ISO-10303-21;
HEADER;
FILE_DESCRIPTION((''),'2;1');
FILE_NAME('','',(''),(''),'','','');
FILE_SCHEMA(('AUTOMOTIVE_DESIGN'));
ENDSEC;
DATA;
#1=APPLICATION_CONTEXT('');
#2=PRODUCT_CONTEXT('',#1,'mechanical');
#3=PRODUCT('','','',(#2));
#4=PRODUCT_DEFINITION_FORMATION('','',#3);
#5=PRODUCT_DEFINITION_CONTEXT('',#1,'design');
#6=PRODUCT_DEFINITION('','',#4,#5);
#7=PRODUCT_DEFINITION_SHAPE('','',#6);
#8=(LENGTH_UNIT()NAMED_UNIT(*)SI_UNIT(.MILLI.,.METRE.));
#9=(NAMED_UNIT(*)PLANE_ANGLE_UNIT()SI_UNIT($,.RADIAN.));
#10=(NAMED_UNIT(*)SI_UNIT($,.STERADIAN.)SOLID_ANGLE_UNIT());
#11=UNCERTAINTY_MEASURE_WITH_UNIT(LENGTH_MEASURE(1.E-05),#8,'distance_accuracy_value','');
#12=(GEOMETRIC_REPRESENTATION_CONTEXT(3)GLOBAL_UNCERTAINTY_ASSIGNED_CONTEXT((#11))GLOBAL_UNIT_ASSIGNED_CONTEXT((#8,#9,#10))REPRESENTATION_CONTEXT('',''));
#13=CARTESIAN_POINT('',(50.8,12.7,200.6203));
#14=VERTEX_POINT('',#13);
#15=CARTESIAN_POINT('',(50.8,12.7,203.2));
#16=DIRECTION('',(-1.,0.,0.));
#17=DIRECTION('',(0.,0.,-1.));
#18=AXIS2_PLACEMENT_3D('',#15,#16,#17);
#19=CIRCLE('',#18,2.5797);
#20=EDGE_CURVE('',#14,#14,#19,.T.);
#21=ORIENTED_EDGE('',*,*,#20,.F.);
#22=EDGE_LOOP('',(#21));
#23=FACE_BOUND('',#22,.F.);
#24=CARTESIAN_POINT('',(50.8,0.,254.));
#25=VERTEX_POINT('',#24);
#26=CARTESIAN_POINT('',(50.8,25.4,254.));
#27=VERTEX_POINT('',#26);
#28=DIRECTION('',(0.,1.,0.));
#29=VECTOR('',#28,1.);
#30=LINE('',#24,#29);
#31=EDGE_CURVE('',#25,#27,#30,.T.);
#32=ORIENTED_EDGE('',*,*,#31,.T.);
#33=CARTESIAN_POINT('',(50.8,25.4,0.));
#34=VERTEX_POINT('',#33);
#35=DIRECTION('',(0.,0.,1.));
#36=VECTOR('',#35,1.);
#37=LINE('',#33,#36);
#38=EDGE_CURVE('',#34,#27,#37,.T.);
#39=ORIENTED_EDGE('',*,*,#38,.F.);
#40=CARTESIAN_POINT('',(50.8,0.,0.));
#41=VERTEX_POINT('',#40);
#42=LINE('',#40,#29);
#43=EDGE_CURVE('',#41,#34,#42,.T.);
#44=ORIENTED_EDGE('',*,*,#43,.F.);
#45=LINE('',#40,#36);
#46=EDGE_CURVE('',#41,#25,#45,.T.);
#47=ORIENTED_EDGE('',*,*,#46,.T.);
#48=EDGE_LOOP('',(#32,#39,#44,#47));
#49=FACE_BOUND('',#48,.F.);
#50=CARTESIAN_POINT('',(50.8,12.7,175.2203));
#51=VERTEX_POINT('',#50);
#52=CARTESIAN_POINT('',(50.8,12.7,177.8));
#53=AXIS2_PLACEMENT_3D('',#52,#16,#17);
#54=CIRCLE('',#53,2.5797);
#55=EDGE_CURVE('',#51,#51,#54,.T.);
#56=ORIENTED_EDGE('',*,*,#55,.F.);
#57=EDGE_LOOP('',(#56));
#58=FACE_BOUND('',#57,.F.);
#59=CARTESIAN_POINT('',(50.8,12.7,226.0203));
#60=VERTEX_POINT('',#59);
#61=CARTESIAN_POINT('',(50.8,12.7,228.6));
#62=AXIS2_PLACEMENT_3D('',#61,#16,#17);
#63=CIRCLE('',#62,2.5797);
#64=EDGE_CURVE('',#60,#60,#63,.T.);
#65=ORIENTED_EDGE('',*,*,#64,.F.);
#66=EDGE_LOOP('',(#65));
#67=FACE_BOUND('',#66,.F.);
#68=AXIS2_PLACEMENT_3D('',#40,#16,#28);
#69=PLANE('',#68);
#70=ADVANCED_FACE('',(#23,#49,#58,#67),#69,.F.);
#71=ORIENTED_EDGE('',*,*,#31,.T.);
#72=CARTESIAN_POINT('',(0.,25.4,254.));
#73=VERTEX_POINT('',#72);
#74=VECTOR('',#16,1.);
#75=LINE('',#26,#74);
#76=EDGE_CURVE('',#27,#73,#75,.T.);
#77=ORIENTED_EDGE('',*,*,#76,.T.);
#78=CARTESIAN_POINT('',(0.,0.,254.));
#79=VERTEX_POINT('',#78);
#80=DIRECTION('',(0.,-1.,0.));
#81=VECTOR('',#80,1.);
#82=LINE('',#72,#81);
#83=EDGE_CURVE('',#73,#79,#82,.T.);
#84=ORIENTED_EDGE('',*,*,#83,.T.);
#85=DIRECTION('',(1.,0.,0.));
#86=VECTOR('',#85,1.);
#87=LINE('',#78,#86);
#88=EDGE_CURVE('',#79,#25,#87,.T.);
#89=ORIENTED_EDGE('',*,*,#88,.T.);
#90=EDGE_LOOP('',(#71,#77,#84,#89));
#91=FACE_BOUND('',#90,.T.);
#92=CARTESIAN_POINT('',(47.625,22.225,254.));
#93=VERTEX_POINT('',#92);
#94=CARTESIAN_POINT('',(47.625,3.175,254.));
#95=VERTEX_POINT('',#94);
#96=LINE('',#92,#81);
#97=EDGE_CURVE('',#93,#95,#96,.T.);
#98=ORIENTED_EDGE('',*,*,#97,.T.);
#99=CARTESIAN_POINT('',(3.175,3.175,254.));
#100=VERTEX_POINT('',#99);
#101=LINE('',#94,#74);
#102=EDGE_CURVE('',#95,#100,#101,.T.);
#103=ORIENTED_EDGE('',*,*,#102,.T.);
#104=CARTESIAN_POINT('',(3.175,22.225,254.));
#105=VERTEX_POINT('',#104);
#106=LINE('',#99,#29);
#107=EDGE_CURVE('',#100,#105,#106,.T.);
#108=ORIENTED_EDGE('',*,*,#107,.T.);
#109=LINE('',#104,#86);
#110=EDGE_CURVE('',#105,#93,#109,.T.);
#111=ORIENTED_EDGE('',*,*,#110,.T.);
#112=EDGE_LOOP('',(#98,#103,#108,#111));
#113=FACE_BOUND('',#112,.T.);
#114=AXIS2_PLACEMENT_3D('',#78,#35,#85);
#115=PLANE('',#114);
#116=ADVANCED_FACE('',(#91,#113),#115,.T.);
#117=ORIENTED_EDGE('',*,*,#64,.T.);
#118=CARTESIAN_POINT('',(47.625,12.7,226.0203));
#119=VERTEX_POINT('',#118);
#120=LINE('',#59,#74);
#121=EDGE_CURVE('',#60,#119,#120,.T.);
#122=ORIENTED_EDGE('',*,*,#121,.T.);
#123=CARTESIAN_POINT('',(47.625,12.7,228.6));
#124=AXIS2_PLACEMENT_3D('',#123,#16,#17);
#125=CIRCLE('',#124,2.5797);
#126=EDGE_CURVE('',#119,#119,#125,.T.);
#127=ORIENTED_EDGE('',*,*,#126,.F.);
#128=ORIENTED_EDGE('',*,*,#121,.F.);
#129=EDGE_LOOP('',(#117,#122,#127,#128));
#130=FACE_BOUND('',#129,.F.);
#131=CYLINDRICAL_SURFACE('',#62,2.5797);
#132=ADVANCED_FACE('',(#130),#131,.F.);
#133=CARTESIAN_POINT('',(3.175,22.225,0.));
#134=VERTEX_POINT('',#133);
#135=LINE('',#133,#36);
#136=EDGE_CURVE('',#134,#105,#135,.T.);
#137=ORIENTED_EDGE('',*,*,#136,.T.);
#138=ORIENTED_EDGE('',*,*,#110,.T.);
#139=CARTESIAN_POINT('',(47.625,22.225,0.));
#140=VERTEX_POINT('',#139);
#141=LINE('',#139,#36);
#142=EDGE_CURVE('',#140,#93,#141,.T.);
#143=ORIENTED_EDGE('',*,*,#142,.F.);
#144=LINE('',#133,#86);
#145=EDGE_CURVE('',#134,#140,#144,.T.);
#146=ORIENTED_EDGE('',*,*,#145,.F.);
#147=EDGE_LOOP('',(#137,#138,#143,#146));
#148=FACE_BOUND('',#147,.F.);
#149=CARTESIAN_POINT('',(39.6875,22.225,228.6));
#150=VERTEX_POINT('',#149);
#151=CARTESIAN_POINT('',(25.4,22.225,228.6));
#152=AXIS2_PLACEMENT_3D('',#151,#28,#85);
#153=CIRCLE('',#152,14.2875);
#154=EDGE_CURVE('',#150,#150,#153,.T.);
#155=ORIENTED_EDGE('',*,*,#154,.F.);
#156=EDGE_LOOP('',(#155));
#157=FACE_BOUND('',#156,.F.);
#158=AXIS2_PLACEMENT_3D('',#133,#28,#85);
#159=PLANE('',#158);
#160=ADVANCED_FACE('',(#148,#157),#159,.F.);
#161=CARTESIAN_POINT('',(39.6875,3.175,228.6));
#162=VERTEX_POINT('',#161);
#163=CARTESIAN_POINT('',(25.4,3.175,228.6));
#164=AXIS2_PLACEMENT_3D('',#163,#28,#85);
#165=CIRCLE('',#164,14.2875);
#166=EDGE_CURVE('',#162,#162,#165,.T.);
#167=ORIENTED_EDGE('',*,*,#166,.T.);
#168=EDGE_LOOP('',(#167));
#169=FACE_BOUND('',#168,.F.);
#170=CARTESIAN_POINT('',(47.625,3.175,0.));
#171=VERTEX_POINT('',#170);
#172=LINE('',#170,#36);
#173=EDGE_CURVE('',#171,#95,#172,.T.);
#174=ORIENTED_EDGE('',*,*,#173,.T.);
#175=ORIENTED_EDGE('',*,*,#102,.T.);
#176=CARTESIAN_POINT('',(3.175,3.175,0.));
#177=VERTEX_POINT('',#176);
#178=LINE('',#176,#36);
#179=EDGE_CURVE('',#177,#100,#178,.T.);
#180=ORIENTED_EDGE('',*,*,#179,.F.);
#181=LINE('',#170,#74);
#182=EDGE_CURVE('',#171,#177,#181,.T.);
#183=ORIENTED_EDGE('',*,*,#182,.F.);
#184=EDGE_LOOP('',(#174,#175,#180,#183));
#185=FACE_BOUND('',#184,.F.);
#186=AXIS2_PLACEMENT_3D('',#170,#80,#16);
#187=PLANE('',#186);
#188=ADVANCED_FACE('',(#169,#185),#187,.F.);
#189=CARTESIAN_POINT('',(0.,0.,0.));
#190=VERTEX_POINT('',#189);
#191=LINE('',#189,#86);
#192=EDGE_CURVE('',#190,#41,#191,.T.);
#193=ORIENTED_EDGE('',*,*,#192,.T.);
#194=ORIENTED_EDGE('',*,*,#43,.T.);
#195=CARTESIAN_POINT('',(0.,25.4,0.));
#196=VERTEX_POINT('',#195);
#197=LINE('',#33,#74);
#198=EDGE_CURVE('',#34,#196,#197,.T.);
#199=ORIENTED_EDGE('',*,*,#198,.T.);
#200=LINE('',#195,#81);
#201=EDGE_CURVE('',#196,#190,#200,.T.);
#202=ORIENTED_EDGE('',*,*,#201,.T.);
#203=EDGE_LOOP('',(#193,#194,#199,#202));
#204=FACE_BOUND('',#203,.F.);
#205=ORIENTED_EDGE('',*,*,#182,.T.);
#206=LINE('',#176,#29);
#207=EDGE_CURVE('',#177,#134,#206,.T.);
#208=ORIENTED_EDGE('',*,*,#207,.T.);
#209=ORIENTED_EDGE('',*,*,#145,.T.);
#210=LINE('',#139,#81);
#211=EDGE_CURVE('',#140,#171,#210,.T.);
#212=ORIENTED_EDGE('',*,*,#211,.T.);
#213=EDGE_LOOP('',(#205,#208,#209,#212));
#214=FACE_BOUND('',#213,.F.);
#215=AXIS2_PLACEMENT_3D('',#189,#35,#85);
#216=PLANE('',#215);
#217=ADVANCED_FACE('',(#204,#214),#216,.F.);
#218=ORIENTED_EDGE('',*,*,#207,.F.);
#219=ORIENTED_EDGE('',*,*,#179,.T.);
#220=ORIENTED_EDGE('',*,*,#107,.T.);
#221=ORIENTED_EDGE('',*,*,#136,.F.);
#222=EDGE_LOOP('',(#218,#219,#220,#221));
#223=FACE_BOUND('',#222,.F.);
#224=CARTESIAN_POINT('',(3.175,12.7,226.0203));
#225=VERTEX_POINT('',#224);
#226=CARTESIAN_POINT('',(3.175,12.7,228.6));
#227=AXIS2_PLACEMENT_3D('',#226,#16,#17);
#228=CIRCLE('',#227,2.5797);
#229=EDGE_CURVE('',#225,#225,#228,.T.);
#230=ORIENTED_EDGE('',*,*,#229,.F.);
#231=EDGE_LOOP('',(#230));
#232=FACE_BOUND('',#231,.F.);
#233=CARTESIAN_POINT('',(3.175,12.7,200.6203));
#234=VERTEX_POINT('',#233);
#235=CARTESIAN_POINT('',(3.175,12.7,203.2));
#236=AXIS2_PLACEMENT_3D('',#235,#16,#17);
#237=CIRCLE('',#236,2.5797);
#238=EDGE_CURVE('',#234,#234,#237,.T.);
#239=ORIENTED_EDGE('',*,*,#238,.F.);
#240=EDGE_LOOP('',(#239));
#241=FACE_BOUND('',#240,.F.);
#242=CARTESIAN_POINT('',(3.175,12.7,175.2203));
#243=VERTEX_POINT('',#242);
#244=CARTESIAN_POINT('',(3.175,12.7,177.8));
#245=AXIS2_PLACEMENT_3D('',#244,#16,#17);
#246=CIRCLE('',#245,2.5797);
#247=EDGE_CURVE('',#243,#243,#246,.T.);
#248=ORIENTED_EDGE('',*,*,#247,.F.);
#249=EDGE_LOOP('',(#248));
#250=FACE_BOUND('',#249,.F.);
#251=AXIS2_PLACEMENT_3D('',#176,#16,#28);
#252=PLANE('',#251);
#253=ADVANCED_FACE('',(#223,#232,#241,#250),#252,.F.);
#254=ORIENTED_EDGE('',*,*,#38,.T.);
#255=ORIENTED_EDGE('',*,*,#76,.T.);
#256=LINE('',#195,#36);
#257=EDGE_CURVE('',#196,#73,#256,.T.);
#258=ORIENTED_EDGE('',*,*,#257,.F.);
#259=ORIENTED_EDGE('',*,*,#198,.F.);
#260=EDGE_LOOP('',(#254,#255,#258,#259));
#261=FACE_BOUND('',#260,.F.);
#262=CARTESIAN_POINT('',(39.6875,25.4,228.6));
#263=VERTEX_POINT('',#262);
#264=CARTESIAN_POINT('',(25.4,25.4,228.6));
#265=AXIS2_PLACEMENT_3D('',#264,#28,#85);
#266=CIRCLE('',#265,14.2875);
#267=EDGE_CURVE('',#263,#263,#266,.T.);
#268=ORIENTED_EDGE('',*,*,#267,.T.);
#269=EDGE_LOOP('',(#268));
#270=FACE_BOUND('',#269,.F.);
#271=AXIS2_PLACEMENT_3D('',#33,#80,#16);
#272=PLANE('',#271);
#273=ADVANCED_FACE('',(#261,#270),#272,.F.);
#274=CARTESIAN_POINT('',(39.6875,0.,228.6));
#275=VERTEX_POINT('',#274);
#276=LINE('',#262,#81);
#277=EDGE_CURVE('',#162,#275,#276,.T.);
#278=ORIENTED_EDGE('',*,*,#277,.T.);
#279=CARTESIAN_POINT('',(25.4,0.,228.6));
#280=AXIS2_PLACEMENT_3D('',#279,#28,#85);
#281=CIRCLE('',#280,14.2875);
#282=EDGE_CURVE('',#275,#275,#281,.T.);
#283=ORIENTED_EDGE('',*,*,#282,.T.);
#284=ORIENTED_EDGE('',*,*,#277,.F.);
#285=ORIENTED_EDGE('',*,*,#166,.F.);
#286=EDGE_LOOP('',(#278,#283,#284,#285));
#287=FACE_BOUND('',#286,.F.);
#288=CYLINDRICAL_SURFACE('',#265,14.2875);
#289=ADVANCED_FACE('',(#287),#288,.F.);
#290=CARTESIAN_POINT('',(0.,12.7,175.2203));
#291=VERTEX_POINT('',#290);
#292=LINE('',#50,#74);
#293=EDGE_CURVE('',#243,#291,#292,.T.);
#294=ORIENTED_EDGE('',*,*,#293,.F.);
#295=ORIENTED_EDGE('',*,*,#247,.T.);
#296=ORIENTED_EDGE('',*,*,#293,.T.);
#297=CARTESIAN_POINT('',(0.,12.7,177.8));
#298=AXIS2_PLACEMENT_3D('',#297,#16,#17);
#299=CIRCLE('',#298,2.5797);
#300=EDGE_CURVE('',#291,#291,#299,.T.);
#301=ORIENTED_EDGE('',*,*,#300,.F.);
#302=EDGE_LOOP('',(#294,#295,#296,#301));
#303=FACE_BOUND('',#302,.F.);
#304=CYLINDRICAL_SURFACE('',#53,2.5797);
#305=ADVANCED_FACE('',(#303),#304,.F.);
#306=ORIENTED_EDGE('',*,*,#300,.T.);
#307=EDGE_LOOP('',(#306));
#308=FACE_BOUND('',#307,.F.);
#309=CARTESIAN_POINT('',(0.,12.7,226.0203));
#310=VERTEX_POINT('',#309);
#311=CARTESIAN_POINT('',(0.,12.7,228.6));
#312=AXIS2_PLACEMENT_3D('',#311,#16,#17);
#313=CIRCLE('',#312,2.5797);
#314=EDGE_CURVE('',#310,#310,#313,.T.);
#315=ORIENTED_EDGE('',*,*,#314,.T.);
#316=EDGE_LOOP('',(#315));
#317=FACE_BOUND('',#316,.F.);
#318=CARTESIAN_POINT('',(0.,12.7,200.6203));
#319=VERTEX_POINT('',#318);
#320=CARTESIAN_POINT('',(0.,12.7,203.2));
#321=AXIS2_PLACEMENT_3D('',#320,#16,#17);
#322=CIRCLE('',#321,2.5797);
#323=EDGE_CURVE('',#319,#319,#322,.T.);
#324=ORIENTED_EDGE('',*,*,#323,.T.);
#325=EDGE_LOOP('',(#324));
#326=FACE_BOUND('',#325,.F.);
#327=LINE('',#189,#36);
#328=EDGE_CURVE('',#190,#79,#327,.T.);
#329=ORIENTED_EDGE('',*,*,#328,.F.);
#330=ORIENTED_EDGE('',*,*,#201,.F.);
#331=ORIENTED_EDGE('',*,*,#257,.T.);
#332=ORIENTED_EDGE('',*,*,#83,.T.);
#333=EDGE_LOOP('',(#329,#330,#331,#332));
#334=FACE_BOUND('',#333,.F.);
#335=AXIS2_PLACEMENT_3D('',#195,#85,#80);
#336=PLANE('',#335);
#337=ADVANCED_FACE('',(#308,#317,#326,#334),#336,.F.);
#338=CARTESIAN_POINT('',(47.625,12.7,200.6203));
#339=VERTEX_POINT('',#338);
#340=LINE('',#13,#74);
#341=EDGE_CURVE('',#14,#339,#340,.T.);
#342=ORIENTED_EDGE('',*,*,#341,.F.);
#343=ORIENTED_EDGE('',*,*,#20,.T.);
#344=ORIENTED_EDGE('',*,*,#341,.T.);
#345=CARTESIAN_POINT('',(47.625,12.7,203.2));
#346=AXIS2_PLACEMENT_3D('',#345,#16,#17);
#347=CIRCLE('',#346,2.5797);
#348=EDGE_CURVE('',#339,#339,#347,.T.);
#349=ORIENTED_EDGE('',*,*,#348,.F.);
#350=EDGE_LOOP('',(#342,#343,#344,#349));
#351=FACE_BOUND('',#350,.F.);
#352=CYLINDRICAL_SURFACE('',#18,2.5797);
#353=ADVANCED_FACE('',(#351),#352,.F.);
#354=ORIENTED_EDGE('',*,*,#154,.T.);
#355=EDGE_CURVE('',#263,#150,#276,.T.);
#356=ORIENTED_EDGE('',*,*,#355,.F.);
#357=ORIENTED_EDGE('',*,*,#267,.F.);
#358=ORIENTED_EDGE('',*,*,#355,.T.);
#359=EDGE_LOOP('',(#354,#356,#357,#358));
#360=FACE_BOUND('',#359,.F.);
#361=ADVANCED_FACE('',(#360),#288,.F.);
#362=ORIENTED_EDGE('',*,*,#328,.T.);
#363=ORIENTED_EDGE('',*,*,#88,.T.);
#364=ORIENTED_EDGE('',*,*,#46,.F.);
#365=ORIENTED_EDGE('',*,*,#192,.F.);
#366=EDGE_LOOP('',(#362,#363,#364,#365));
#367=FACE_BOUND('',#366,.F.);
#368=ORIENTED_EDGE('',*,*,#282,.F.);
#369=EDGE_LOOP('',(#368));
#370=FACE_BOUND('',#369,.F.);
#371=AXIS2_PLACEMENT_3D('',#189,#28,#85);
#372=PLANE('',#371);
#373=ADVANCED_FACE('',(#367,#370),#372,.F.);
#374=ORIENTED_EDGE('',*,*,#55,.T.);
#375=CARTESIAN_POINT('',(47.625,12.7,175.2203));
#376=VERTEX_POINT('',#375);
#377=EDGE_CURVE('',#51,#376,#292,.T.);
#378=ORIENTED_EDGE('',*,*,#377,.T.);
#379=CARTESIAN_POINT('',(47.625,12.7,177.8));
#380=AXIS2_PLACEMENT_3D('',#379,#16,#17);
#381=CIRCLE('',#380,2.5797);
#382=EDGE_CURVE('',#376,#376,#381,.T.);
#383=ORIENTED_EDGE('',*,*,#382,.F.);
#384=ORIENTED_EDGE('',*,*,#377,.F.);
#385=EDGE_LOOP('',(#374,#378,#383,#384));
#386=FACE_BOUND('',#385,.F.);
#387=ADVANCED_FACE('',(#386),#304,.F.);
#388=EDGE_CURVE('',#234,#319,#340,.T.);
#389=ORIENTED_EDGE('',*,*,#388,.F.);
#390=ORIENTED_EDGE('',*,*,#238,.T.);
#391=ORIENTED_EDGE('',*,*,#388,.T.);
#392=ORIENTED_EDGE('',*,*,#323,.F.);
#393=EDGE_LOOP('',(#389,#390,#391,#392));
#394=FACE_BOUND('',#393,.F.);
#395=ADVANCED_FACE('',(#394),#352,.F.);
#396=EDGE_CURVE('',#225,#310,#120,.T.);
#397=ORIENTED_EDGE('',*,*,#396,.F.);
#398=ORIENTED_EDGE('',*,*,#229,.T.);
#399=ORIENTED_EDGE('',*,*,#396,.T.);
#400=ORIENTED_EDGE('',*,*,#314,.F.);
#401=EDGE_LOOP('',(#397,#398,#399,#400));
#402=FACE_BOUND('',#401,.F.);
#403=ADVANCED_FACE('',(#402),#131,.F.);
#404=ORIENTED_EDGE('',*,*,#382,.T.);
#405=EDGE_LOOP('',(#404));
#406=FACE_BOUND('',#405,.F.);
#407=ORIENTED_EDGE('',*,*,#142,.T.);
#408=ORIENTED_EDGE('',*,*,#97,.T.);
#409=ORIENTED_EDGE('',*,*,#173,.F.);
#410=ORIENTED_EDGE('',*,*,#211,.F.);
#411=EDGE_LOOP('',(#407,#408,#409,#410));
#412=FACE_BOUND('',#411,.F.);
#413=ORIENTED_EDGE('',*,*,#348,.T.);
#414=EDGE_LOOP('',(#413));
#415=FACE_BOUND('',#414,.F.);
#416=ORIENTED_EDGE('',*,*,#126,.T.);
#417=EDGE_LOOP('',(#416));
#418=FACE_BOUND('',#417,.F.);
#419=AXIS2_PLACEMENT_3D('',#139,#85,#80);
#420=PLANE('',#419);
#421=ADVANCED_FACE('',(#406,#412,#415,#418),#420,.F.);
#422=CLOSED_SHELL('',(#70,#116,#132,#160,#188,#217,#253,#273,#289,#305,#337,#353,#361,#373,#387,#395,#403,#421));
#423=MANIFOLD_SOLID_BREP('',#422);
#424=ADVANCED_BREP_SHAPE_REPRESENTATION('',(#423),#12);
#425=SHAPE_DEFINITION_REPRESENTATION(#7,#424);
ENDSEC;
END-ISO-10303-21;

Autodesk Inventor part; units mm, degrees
ref_plane "YZ Plane" through (0, 0, 0) normal (1, 0, 0) x (0, 1, 0)
ref_plane "XZ Plane" through (0, 0, 0) normal (0, 1, 0) x (-1, 0, 0)
ref_plane "XY Plane" through (0, 0, 0) normal (0, 0, 1) x (1, 0, 0)
sketch "Sketch1" plane through (0, 0, 0) normal (0, 0, 1) x (1, 0, 0)
  line L0 (0, 0) -> (50.8, 0)
  line L1 (50.8, 0) -> (50.8, 25.4)
  line L2 (50.8, 25.4) -> (0, 25.4)
  line L3 (0, 25.4) -> (0, 0)
  line L4 (3.175, 22.225) -> (47.625, 22.225)
  line L5 (47.625, 22.225) -> (47.625, 3.175)
  line L6 (47.625, 3.175) -> (3.175, 3.175)
  line L7 (3.175, 3.175) -> (3.175, 22.225)
  dimension "d0" = 50.8
  dimension "d1" = 25.4
  dimension "d2" = 3.175
extrude "Extrusion1" add sketch "Sketch1" along normal blind 254
sketch "Sketch2" plane through (0, 0, 0) normal (0, -1, 0) x (1, 0, 0)
  circle A0 centre (25.4, 228.6) radius 4.7625
  line L0 (47.625, 254) -> (3.175, 254) projected
  line L1 (0, 0) -> (0, 254) projected
  dimension "d5" = 9.525
  dimension "d6" = 25.4
  dimension "d7" = 25.4
extrude "Extrusion2" cut sketch "Sketch2" against normal blind 25.4
sketch "Sketch3" plane through (0, 25.4, 0) normal (0, 1, 0) x (1, 0, 0)
  circle A0 centre (25.4, -228.6) radius 4.7625 projected
  circle A1 centre (25.4, -228.6) radius 14.2875
  point P0 (0, 0)
  dimension "d10" = 28.575
extrude "Extrusion3" cut sketch "Sketch3" against normal blind 25.4
ref_plane "Work Plane1" through (25.4, 0, 228.6) normal (0, 0, -1) x (1, 0, 0)
sketch "Sketch5" plane through (50.8, 0, 0) normal (1, 0, 0) x (0, 0, -1)
  line L0 (-254, 0) -> (-254, 25.4) projected
  line L1 (0, 0) -> (-254, 0) projected
  line L2 (0, 25.4) -> (-254, 25.4) projected
  point P0 (-228.6, 12.7)
  point P1 (-203.2, 12.7)
  point P2 (-177.8, 12.7)
  dimension "d21" = 25.4
  dimension "d22" = 12.7
  dimension "d23" = 25.4
  dimension "d24" = 25.4
  dimension "d25" = 12.7
  dimension "d26" = 12.7
hole "Hole1" at (50.8, 12.7, 228.6) at (50.8, 12.7, 203.2) at (50.8, 12.7, 177.8) direction (-1, 0, 0) diameter 5.1594 end through all
thread "Thread1" size "12-24 UNC" class "2B" standard "ANSI Unified Screw Threads" full length
thread "Thread2" size "12-24 UNC" class "2B" standard "ANSI Unified Screw Threads" full length
thread "Thread3" size "12-24 UNC" class "2B" standard "ANSI Unified Screw Threads" full length
properties part number "15102898-16-A-0201" material "Aluminum 6061"
